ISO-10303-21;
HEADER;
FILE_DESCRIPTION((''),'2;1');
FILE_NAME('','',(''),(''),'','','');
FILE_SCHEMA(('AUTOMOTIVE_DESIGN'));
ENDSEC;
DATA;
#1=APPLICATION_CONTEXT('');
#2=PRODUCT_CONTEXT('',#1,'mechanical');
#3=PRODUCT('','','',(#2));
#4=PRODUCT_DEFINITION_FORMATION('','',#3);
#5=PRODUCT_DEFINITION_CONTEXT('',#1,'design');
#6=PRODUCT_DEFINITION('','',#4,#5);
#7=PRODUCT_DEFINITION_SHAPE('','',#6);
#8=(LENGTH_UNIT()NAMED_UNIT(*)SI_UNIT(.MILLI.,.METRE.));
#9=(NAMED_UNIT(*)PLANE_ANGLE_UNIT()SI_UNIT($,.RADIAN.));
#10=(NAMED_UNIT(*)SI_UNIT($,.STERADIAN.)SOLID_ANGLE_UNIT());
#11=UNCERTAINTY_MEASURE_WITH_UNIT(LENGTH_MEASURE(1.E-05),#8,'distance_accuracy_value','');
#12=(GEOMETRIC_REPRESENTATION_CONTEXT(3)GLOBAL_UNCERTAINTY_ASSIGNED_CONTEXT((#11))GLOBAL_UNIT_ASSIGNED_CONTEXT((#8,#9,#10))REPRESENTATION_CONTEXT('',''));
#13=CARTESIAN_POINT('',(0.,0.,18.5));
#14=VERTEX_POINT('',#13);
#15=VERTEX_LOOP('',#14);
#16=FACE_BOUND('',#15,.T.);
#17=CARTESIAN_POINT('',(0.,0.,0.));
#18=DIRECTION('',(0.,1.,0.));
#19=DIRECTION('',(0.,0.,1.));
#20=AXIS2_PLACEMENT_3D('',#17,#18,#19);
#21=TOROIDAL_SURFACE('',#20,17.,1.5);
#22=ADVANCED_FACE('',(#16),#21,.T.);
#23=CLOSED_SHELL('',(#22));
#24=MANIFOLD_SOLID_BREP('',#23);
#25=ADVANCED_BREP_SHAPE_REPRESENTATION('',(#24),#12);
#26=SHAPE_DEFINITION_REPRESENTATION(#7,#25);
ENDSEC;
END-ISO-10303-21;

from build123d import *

# Parameters (mm, degrees)
SKETCH1_R = 1.5


with BuildPart() as part:
    # Sketch1 → Revolve1 (revolve)
    with BuildSketch(Plane.XY):
        with Locations((-17, 0)):
            Circle(SKETCH1_R)
    revolve(axis=Axis((0, 3.168228301, 0), (0, -1, 0)))


solid = part.part
